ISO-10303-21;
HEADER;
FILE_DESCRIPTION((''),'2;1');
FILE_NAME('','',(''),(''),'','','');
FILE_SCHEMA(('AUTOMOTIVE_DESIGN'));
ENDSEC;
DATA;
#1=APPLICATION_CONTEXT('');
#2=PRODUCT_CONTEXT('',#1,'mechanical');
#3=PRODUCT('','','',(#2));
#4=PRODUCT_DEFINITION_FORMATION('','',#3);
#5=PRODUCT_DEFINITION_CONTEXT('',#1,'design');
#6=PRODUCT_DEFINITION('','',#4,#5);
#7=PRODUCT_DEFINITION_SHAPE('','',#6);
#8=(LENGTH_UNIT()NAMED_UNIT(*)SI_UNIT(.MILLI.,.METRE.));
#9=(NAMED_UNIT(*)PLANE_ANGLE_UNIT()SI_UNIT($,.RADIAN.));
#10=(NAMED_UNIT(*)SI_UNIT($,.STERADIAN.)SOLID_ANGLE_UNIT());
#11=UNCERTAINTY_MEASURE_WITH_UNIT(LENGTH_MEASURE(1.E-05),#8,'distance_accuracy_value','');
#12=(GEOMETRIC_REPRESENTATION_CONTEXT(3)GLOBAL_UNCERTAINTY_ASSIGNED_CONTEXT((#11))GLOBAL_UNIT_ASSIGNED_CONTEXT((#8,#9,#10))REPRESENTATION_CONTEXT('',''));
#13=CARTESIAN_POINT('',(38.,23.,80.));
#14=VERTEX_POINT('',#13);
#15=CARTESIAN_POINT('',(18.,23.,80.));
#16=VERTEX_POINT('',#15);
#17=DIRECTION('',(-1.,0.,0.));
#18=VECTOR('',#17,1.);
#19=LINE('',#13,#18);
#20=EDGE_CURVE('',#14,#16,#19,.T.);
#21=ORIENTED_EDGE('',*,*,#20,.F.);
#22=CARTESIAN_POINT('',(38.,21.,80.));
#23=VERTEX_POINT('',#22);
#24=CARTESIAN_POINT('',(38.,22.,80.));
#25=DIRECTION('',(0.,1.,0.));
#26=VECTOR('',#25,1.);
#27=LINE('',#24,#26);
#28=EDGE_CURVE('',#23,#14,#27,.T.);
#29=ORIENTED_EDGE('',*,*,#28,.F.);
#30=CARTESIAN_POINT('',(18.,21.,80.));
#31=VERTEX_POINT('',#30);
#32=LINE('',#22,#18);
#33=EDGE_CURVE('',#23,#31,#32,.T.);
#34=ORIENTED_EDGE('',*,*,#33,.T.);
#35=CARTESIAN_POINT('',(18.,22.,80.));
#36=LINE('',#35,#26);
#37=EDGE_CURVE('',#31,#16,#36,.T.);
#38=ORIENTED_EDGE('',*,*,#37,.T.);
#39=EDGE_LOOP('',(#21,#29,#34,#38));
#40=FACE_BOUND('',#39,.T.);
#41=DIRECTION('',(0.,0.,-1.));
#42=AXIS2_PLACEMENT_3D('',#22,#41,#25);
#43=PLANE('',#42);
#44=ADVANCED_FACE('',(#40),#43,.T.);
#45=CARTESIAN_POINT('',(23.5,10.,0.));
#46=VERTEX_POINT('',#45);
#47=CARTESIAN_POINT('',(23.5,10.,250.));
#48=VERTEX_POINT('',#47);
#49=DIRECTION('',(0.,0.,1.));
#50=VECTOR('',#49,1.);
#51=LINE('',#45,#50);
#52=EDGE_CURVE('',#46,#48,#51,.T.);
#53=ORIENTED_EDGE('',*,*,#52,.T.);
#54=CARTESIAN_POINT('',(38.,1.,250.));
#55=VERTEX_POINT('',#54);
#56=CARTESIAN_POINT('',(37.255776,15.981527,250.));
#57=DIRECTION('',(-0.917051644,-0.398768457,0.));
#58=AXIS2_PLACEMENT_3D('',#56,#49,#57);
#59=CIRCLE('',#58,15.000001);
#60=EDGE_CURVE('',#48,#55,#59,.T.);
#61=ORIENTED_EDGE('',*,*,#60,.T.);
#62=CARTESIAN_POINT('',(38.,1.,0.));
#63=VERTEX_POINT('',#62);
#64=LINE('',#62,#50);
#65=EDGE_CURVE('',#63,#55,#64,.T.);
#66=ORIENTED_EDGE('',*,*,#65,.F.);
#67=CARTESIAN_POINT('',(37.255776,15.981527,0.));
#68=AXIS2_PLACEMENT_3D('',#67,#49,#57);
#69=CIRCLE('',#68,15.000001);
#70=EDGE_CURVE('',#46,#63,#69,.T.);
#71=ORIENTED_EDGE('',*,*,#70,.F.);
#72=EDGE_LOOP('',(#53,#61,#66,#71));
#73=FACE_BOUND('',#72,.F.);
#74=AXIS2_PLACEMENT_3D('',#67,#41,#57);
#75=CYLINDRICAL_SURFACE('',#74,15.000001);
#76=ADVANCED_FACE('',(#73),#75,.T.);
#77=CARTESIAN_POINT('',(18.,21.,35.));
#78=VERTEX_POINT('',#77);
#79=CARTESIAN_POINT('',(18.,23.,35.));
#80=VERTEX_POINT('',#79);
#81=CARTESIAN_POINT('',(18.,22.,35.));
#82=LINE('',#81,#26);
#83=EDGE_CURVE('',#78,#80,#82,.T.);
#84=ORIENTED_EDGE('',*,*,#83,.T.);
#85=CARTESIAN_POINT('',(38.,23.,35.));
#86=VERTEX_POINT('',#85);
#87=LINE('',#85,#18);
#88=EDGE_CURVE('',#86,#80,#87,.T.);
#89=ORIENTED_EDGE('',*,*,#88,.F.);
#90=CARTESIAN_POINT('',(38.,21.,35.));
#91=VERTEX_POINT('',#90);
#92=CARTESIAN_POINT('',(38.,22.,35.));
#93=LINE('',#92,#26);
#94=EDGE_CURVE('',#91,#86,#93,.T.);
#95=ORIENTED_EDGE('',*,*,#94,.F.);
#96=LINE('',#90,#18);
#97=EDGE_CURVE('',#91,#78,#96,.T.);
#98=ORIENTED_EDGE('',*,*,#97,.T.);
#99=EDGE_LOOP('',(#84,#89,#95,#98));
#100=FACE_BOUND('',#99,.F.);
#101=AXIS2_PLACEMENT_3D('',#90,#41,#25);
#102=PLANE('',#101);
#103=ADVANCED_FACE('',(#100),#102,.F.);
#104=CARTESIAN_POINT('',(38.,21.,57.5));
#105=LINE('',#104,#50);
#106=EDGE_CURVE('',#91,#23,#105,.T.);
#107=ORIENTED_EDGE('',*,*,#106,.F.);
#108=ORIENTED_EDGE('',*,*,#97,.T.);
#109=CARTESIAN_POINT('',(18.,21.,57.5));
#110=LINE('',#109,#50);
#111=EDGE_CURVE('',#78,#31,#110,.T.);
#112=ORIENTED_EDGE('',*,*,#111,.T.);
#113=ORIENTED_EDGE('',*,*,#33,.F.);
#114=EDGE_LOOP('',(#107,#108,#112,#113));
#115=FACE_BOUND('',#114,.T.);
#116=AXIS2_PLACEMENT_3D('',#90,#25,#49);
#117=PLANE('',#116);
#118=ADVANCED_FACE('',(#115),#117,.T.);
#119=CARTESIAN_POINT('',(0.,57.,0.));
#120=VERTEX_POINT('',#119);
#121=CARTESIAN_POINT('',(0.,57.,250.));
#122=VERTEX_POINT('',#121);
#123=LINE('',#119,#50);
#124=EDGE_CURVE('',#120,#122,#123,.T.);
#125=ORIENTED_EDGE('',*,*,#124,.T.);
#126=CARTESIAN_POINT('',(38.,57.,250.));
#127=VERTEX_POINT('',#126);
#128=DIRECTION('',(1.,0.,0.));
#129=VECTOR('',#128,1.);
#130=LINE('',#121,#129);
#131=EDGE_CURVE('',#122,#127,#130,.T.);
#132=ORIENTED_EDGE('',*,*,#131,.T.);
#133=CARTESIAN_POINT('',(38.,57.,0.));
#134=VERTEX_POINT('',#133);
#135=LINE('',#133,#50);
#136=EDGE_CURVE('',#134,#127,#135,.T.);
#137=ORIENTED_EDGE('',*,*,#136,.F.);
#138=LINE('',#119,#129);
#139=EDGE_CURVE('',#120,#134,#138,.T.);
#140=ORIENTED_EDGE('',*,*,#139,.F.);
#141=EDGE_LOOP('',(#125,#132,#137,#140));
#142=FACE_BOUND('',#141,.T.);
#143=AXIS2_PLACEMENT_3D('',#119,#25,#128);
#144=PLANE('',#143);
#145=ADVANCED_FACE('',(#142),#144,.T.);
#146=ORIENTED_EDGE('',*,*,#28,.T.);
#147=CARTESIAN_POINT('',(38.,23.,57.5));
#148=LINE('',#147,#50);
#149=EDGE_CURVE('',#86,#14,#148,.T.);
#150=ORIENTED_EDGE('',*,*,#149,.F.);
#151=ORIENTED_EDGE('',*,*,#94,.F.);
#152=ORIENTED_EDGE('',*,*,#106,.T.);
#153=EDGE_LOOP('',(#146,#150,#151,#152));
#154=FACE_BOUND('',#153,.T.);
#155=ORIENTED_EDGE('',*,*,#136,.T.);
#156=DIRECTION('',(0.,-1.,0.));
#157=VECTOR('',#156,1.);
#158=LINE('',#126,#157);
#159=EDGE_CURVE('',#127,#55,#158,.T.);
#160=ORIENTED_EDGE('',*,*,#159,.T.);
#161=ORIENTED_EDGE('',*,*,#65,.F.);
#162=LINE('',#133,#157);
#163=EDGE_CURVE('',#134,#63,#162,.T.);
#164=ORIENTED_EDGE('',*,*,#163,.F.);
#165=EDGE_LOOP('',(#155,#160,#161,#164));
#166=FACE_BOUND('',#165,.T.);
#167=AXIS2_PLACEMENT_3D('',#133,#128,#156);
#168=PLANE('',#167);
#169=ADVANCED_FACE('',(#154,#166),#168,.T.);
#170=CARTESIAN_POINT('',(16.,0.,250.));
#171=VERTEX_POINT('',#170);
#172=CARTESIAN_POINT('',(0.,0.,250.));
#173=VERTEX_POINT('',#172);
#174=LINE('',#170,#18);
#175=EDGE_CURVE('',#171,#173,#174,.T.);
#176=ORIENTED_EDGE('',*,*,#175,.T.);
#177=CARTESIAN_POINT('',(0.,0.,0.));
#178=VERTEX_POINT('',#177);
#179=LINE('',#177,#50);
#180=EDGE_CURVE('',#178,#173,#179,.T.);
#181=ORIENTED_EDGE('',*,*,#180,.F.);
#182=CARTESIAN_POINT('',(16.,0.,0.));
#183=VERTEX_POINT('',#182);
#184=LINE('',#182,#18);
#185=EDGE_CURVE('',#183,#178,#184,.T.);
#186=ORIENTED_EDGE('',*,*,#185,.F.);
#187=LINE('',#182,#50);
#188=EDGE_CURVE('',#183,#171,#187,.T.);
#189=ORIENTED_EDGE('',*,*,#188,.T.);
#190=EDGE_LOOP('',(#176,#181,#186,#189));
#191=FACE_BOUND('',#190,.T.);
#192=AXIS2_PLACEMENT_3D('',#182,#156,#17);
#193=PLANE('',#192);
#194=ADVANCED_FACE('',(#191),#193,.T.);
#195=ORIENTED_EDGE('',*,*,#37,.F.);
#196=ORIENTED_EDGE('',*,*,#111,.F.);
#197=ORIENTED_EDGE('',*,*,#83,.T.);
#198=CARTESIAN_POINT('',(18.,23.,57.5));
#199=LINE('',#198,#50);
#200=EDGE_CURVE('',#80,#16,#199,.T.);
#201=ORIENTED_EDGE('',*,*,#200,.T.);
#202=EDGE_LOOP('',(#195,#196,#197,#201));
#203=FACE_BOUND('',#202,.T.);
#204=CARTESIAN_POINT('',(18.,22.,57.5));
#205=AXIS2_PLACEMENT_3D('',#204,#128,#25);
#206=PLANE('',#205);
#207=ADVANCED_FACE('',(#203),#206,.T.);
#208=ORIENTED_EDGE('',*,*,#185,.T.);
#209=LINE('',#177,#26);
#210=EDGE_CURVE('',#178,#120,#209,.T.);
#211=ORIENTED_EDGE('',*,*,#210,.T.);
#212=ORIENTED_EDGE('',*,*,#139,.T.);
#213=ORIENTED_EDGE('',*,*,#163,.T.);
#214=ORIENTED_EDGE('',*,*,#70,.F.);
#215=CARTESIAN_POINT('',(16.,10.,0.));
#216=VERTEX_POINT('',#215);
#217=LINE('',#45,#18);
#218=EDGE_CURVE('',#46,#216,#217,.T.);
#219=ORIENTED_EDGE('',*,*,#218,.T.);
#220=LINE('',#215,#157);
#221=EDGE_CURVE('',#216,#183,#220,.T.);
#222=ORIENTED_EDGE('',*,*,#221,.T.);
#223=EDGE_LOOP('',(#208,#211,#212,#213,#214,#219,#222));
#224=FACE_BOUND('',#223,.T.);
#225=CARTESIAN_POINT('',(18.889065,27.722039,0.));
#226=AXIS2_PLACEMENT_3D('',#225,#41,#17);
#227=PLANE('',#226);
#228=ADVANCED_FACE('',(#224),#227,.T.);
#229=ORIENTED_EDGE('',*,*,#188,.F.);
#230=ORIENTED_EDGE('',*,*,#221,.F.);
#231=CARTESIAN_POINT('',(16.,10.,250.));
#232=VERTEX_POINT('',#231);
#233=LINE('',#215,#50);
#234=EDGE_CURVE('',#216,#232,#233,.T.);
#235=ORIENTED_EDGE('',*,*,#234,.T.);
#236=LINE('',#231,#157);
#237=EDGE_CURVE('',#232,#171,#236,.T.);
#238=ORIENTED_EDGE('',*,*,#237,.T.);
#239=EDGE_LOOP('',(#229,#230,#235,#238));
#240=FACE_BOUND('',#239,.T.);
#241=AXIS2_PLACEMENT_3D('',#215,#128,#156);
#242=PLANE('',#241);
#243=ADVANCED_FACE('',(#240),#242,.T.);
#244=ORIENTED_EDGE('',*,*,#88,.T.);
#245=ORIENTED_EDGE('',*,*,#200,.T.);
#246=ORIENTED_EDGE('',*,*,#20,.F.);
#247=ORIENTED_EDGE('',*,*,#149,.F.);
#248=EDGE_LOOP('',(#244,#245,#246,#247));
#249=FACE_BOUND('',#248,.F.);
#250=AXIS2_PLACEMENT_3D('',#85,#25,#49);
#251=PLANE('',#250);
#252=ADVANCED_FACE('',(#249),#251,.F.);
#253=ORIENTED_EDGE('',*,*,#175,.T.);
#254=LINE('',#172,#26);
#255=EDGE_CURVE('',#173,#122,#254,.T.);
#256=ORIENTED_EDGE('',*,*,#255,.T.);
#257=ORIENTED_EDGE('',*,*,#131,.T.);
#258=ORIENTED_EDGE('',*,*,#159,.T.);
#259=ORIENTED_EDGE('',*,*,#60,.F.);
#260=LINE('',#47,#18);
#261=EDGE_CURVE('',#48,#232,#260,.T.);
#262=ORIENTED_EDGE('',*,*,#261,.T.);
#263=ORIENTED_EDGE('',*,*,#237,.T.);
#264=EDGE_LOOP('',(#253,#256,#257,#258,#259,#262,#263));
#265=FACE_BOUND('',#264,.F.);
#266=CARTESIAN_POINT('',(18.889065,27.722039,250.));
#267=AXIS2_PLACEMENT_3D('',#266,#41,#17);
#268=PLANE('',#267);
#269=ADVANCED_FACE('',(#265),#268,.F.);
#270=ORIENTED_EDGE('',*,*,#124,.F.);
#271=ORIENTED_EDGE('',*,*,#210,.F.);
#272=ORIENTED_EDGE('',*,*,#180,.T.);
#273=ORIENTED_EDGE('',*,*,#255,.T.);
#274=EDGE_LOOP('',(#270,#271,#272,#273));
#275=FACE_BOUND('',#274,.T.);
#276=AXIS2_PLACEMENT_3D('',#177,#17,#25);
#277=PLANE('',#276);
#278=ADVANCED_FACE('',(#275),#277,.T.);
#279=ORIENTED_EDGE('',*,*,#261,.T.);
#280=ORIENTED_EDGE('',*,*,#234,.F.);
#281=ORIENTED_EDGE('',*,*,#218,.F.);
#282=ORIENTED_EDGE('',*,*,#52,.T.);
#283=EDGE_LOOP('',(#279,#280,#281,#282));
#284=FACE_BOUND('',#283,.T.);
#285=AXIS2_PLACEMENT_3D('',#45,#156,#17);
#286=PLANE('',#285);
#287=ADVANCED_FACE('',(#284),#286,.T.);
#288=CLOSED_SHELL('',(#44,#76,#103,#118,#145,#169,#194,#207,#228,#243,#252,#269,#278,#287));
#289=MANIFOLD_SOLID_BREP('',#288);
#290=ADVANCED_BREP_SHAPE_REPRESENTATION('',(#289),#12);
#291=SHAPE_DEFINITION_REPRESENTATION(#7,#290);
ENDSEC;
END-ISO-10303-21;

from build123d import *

# Parameters (mm, degrees)
PAD_DEPTH    = 250
SKETCH001_W  = 2
SKETCH001_H  = 45
POCKET_DEPTH = 20


with BuildPart() as part:
    # Sketch → Pad (new body)
    with BuildSketch(Plane.XY):
        with BuildLine():
            Line((0, 0), (0, 57))
            Line((0, 57), (38, 57))
            Line((38, 57), (38, 1))
            ThreePointArc((23.5, 10), (29.345332, 3.236924), (38, 1))
            Line((23.5, 10), (16, 10))
            Line((16, 10), (16, 0))
            Line((16, 0), (0, 0))
        make_face()
    extrude(amount=PAD_DEPTH)

    # Sketch001 (on Face3 of Pad) → Pocket (cut)
    with BuildSketch(Plane.YZ.offset(38)):
        with Locations((22, 57.5)):
            Rectangle(SKETCH001_W, SKETCH001_H)
    extrude(amount=-POCKET_DEPTH, mode=Mode.SUBTRACT)


solid = part.part
